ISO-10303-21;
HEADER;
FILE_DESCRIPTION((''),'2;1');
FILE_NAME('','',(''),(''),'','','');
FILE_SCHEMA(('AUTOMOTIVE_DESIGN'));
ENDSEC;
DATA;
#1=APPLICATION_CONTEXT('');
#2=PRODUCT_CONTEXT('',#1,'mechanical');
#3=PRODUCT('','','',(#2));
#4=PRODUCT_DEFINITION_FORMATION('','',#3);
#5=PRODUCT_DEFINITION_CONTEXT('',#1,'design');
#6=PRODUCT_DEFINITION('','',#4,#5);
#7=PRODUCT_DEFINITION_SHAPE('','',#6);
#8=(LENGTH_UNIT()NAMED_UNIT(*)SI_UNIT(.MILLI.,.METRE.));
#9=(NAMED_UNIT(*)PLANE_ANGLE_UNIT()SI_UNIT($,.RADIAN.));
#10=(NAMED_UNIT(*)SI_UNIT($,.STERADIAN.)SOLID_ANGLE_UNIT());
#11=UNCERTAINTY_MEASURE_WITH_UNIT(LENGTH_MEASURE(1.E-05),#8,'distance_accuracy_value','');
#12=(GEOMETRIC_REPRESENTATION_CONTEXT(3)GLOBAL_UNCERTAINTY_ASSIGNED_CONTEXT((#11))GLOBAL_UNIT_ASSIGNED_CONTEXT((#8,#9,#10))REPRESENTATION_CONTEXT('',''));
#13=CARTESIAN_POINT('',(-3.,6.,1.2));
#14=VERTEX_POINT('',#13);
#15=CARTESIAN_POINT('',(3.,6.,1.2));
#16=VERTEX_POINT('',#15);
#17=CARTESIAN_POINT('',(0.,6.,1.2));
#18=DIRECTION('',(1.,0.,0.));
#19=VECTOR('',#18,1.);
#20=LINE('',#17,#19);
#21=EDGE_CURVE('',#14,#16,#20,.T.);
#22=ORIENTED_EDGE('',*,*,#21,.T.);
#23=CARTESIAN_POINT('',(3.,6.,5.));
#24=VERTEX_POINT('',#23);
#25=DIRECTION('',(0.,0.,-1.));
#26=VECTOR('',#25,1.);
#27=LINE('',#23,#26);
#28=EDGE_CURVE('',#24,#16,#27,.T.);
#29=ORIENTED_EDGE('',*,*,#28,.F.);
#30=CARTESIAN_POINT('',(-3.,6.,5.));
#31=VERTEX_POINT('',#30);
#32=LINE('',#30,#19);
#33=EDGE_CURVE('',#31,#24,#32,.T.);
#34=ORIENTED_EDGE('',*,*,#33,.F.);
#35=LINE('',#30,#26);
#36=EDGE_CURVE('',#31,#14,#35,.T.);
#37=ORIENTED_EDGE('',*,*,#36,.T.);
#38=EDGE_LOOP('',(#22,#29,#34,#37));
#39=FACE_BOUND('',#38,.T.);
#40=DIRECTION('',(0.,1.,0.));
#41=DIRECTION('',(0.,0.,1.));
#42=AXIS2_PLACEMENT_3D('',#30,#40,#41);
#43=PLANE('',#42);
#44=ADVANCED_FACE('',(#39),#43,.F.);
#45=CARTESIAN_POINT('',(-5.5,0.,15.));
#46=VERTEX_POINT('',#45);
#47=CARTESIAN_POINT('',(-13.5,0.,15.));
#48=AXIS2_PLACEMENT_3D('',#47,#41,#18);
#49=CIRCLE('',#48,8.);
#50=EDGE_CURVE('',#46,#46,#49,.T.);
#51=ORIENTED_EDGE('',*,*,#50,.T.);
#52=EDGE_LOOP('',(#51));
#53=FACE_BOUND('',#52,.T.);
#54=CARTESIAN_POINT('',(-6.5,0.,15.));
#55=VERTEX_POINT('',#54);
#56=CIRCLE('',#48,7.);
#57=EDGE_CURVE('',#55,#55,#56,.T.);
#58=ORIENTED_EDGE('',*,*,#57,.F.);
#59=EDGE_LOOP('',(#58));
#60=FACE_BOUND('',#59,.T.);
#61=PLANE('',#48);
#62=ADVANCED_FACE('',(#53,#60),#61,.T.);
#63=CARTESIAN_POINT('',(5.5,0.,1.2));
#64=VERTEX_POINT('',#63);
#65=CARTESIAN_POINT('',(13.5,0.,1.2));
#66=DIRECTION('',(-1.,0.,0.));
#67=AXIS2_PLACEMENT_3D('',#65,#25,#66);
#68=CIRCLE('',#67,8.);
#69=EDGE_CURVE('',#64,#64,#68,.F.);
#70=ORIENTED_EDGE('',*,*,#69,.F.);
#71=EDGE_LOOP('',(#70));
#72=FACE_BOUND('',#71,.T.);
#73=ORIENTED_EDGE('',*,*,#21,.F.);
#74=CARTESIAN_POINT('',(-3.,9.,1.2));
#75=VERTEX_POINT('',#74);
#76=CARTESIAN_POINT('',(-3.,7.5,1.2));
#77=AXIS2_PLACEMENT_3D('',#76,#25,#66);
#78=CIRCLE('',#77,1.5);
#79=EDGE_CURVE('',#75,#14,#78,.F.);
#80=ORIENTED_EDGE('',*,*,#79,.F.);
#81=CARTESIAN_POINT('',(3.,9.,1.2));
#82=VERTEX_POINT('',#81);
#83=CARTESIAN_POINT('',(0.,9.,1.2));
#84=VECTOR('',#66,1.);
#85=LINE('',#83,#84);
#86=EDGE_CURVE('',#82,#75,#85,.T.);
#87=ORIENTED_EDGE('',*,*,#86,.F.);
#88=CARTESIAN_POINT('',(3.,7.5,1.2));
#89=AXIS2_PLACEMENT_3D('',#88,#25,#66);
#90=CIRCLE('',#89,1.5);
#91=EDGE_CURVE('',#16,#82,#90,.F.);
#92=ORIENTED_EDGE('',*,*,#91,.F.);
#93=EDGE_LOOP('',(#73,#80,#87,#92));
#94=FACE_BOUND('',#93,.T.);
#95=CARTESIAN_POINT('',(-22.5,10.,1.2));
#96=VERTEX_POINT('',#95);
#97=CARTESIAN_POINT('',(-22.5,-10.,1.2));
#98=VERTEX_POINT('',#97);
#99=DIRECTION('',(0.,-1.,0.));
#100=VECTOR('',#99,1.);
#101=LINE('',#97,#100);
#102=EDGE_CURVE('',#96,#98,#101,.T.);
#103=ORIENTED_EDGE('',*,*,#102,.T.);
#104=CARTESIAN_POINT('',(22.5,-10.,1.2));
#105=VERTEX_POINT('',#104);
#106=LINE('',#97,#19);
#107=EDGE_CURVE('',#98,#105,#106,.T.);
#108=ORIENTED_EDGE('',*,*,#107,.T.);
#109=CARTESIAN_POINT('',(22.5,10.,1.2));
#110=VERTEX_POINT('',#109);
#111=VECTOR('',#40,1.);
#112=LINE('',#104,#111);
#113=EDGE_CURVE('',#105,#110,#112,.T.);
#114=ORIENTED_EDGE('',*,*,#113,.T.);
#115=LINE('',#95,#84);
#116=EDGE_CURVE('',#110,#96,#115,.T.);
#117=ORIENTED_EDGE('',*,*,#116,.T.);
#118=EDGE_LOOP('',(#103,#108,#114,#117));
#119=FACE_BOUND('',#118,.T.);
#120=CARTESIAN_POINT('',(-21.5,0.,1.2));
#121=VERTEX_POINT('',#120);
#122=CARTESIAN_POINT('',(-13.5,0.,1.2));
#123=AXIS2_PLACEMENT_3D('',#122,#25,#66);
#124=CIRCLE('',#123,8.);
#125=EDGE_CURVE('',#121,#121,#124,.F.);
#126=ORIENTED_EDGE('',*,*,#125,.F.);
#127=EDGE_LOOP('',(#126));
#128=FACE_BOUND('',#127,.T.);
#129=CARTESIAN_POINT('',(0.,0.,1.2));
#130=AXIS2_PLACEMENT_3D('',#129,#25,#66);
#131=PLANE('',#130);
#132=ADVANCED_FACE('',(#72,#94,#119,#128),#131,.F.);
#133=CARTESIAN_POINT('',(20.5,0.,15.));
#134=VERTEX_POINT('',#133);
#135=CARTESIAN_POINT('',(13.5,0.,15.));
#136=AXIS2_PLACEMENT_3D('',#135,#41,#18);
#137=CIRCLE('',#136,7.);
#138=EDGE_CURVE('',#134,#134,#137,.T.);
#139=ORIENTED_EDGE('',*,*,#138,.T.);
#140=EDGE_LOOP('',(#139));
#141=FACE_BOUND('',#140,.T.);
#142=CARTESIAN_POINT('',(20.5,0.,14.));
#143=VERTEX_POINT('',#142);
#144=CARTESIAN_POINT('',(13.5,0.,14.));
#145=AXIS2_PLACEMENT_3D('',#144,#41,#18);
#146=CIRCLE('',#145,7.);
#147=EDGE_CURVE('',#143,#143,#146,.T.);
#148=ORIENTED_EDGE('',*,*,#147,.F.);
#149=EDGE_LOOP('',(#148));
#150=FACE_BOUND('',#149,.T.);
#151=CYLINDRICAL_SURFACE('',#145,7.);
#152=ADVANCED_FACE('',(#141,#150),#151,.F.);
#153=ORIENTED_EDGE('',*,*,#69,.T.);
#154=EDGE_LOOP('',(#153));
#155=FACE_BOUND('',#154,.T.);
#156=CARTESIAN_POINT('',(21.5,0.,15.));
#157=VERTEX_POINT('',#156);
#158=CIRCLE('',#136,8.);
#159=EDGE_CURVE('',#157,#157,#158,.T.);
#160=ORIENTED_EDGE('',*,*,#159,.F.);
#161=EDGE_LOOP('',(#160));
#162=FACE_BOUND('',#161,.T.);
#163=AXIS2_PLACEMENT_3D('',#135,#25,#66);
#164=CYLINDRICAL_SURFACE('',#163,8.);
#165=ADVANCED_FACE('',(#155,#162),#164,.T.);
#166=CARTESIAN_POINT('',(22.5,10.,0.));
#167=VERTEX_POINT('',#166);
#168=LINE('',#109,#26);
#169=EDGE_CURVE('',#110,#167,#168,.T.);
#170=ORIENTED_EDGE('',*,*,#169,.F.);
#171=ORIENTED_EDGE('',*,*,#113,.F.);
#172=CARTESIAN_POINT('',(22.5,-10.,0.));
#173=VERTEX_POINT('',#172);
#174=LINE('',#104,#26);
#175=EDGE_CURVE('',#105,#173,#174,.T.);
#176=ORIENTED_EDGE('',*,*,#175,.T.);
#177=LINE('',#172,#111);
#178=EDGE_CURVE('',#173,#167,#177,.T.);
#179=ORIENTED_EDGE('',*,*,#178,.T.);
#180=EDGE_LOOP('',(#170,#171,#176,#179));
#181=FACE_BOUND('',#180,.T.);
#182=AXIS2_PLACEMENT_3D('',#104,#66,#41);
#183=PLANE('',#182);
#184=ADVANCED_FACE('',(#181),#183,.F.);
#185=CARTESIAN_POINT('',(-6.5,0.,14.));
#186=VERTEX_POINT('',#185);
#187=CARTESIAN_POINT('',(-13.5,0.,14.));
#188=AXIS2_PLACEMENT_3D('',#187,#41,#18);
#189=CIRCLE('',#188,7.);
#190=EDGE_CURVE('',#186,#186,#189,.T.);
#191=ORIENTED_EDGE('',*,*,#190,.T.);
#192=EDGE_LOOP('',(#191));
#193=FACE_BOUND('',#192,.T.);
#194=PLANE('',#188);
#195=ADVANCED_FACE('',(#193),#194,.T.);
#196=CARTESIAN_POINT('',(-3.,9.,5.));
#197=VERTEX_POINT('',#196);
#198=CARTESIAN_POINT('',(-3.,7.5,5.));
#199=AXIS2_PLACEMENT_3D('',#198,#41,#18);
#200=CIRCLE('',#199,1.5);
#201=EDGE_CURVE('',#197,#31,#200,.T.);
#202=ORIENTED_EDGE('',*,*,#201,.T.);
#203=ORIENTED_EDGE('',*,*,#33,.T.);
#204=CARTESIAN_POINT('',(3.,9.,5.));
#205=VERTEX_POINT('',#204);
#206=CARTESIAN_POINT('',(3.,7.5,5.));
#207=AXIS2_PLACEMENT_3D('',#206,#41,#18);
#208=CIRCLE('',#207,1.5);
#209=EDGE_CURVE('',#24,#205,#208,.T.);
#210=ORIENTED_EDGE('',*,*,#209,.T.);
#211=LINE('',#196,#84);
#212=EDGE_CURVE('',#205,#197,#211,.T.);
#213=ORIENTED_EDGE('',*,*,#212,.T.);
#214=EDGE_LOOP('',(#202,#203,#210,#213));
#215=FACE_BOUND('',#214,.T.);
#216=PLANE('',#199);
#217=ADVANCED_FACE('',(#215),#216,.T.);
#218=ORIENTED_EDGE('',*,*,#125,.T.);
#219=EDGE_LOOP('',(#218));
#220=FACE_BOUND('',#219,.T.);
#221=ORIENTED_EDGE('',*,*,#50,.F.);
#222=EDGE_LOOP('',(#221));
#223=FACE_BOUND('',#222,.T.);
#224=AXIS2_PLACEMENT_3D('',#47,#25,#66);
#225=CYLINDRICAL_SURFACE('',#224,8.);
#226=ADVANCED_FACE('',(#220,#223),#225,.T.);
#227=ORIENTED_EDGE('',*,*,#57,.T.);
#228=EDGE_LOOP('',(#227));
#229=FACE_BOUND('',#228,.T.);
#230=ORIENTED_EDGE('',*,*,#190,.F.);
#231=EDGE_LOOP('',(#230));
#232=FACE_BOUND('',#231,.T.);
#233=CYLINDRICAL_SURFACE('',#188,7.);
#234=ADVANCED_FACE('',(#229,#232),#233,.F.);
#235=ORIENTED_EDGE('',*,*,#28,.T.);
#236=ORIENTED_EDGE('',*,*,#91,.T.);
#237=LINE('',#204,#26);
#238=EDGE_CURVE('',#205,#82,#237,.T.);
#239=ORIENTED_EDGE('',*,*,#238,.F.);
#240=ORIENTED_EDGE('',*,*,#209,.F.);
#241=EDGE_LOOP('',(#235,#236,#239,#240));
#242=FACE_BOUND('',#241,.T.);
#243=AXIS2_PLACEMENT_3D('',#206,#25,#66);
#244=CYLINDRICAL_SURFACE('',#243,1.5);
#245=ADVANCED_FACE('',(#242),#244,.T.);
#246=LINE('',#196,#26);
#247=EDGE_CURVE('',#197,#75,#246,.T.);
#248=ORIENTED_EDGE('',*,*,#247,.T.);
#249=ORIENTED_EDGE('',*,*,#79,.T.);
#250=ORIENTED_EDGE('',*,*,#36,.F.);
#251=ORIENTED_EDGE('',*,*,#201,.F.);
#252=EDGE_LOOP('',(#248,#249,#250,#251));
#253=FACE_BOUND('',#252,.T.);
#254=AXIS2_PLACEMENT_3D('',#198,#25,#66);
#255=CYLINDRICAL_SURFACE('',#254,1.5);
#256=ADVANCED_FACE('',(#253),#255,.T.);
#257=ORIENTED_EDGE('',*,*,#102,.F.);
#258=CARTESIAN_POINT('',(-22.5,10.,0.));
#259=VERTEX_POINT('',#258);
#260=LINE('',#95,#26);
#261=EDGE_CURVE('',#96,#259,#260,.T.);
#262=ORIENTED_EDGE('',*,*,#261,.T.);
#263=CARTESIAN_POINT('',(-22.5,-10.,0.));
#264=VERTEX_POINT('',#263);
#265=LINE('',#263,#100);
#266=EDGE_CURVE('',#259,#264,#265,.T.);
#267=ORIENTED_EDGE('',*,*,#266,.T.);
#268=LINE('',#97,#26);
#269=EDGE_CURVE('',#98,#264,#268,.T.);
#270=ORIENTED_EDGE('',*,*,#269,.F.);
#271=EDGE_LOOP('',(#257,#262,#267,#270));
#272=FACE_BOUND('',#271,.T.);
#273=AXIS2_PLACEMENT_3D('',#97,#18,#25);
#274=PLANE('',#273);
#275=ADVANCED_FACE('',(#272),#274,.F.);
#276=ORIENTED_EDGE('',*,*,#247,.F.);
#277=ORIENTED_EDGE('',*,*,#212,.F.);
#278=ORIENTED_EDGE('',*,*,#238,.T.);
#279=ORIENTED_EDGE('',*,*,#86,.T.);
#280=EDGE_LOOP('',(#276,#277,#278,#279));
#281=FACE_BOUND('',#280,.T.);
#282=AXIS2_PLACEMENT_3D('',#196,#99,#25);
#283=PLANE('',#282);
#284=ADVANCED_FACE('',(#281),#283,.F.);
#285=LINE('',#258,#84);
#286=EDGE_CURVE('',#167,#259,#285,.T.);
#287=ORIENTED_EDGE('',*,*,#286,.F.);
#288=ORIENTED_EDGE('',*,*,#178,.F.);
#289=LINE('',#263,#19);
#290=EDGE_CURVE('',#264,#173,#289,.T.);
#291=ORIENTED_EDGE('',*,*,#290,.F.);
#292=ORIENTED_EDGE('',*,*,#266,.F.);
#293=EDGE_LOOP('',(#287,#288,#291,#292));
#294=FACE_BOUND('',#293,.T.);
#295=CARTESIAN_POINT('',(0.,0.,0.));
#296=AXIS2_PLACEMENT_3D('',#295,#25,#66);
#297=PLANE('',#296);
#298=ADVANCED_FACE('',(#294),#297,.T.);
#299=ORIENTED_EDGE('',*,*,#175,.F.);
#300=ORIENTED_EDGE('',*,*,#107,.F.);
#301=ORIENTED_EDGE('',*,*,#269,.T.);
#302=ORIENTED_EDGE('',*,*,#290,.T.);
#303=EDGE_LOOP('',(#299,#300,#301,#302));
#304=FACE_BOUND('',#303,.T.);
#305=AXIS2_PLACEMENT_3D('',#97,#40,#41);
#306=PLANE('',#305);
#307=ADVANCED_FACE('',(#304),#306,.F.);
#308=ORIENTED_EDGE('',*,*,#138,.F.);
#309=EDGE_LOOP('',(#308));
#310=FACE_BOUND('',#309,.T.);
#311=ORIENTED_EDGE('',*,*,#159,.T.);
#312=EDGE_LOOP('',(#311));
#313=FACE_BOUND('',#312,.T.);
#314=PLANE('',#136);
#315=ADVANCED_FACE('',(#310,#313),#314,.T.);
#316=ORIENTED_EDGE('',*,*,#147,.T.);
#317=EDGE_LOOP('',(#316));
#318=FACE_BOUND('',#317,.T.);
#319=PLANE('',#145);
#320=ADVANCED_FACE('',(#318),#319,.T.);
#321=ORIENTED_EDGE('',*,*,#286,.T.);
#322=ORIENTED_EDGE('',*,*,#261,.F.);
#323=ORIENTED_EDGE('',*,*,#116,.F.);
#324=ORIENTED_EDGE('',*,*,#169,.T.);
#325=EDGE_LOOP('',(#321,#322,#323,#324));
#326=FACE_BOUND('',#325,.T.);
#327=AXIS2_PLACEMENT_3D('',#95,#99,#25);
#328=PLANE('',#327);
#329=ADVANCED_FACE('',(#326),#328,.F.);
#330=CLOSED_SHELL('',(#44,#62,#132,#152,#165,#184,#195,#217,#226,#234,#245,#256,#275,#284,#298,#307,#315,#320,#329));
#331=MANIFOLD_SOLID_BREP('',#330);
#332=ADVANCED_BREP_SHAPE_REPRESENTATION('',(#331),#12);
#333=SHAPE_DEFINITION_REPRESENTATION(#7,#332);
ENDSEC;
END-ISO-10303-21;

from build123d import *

# Parameters (mm, degrees)
SKETCH_1_W          = 45
SKETCH_1_H          = 20
EXTRUDE_1_DEPTH     = 1.2
SKETCH_2_R          = 8
EXTRUDE_2_DEPTH     = 15
EXTRUDE_3_DEPTH     = 5
CUT_EXTRUDE_START   = 15
SKETCH_5_R          = 7
CUT_EXTRUDE_1_DEPTH = 1


with BuildPart() as part:
    # 草图1 → 凸台-拉伸1 (new body)
    with BuildSketch(Plane.XY):
        Rectangle(SKETCH_1_W, SKETCH_1_H)
    extrude(amount=EXTRUDE_1_DEPTH)

    # 草图2 → 凸台-拉伸2 (add)
    with BuildSketch(Plane.XY):
        with Locations(Location((-13.5, 0, 0), (0, 0, 180))):
            Circle(SKETCH_2_R)
        with Locations(Location((13.5, 0, 0), (0, 0, 180))):
            Circle(SKETCH_2_R)
    extrude(amount=EXTRUDE_2_DEPTH)

    # 草图3 → 凸台-拉伸3 (add)
    with BuildSketch(Plane.XY):
        with BuildLine():
            Line((-3, 9), (3, 9))
            ThreePointArc((3, 9), (4.5, 7.5), (3, 6))
            Line((3, 6), (-3, 6))
            ThreePointArc((-3, 6), (-4.5, 7.5), (-3, 9))
        make_face()
    extrude(amount=EXTRUDE_3_DEPTH)

    # 草图5 → 切除-拉伸1 (cut)
    with BuildSketch(Plane.XY.offset(CUT_EXTRUDE_START)):
        with Locations((-13.5, 0)):
            Circle(SKETCH_5_R)
        with Locations((13.5, 0)):
            Circle(SKETCH_5_R)
    extrude(amount=-CUT_EXTRUDE_1_DEPTH, mode=Mode.SUBTRACT)


solid = part.part
